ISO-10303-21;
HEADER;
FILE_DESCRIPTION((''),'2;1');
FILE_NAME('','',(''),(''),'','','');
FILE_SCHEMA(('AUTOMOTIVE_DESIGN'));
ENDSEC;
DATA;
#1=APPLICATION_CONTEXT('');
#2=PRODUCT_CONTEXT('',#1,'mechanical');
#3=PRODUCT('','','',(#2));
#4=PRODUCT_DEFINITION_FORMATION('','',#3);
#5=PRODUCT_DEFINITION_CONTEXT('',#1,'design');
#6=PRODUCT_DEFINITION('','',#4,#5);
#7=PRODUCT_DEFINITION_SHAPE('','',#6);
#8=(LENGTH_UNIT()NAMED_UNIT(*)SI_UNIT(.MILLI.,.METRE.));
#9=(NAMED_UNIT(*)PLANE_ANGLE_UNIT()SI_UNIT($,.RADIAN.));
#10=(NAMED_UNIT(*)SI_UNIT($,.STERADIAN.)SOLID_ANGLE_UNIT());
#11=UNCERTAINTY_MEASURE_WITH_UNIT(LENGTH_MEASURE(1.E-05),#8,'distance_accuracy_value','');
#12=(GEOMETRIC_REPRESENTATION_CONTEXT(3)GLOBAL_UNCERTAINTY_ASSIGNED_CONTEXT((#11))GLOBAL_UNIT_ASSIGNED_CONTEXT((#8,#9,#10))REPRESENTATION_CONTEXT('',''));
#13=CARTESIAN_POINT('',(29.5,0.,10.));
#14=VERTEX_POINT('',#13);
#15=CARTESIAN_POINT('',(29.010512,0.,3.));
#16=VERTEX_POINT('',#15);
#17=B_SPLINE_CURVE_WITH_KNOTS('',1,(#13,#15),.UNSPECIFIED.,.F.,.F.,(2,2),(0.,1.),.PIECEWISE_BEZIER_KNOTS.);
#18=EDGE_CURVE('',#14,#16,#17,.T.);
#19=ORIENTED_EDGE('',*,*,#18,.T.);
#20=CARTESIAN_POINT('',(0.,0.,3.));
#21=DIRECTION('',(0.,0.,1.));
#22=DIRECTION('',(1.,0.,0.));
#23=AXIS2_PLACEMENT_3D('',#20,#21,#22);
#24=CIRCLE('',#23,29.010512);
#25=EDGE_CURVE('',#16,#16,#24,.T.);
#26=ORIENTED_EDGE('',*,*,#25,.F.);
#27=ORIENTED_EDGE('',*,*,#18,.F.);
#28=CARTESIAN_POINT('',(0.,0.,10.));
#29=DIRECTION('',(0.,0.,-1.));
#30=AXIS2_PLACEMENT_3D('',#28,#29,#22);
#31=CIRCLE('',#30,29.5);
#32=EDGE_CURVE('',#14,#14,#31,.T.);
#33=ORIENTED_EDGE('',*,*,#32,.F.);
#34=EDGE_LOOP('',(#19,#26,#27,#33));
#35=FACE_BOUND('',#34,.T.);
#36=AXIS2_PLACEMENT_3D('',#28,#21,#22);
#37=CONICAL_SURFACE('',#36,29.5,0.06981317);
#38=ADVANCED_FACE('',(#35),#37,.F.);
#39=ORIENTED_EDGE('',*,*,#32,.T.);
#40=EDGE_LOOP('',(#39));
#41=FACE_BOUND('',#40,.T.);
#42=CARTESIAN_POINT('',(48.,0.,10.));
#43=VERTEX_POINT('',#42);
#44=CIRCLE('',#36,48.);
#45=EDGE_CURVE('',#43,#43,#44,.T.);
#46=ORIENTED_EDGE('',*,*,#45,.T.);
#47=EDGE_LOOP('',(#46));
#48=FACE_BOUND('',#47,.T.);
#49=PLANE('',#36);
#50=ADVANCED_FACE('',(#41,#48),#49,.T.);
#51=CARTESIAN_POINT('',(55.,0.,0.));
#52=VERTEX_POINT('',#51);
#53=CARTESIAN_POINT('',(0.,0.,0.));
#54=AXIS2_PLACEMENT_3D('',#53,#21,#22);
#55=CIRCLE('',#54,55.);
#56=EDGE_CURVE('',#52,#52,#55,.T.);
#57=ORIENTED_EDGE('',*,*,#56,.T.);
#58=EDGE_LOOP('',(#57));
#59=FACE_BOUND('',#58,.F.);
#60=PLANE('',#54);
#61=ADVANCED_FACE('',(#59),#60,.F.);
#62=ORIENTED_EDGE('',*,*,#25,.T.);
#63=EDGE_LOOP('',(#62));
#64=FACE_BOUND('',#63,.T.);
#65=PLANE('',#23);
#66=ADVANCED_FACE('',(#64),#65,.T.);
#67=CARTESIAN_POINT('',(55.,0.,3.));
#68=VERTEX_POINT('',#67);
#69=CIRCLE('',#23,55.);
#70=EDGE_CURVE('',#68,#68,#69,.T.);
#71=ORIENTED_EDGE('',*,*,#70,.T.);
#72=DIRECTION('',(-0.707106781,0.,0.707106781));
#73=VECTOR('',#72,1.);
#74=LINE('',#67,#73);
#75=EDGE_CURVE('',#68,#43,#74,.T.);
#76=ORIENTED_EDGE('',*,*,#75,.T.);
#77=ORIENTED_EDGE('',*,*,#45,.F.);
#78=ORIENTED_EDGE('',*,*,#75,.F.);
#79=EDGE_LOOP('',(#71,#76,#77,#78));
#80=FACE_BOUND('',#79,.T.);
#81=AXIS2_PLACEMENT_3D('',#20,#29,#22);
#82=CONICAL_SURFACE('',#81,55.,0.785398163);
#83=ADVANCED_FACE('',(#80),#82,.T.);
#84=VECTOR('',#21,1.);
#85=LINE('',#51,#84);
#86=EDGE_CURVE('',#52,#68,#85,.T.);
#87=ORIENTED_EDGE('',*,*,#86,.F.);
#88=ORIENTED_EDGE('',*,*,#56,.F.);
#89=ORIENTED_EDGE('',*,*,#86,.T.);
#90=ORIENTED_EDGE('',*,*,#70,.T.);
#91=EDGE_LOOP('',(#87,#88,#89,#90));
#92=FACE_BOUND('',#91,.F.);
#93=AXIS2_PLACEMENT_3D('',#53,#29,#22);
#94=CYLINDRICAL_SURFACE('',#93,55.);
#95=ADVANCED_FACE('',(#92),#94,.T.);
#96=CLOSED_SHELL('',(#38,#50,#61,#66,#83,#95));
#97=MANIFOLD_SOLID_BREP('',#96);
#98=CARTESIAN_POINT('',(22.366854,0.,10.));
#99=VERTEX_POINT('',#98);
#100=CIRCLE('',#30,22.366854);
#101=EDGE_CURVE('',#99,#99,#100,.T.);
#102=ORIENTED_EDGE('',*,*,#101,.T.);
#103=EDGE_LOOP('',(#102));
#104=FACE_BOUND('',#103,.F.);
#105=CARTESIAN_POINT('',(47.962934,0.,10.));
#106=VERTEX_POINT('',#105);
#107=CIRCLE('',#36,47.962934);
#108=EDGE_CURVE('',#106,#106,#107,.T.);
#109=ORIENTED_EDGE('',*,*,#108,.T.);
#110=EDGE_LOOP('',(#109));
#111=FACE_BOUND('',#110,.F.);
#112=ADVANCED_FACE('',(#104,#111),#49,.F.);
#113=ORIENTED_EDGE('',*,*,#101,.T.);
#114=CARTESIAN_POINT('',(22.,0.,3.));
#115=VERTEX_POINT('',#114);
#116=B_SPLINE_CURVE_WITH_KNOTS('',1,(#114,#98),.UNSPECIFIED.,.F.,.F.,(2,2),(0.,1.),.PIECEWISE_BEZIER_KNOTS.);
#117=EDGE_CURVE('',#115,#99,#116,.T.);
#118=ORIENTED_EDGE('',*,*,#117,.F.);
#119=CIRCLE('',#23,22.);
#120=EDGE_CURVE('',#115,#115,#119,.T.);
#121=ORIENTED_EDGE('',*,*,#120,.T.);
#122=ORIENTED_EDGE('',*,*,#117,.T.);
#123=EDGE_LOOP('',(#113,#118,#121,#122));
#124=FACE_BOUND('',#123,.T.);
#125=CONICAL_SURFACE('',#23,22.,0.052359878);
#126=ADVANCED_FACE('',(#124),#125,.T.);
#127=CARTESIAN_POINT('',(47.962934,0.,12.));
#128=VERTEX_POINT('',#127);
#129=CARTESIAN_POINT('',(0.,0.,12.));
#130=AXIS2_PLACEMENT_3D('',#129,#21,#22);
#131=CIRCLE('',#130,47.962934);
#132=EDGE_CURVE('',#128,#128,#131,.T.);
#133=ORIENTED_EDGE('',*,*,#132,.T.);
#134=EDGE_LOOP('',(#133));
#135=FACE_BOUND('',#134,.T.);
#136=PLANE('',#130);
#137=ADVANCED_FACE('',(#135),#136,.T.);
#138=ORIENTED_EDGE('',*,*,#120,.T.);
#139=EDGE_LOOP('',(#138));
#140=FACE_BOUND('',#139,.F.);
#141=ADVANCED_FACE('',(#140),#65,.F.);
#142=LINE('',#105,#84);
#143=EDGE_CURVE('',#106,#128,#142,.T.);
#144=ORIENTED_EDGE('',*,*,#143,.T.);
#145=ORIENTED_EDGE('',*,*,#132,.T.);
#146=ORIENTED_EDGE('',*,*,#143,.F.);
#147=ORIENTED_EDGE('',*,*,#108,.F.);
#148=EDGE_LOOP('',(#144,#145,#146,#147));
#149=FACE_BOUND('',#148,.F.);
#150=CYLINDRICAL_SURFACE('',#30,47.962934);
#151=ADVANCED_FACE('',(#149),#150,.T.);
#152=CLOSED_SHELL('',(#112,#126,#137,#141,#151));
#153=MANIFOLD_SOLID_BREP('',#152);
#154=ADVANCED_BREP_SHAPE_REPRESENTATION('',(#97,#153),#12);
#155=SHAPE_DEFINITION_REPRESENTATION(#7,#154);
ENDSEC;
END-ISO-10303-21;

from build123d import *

# Parameters (mm, degrees)
F0_R     = 55
F1_DEPTH = 10
F2_SIZE  = 7
F3_R     = 29.5
F4_DEPTH = 7
F4_TAPER = 4
F5_R     = 22
F6_DEPTH = 7
F6_TAPER = -3
F8_R     = 47.9629336629
F9_DEPTH = 2


with BuildPart() as f1:
    # F0 (on Top) → F1 (new body)
    with BuildSketch(Plane.XY):
        Circle(F0_R)
    extrude(amount=F1_DEPTH)

    # F2
    f2_edges = [f1.edges().sort_by_distance(p)[0] for p in [
        (-55, 0, 10),
    ]]
    chamfer(f2_edges, length=F2_SIZE)

    # F3 (on face) → F4 (cut)
    with BuildSketch(Plane.XY.offset(10)):
        Circle(F3_R)
    extrude(amount=-F4_DEPTH, taper=F4_TAPER, mode=Mode.SUBTRACT)


with BuildPart() as f6:
    # F5 (on face) → F6 (new body, through all)
    with BuildSketch(Plane.XY.offset(3)):
        Circle(F5_R)
    extrude(amount=F6_DEPTH, taper=F6_TAPER)

    # F8 (on offset) → F9 (join)
    with BuildSketch(Plane.XY.offset(10)):
        Circle(F8_R)
    extrude(amount=F9_DEPTH)


solid = Compound([f1.part, f6.part])
